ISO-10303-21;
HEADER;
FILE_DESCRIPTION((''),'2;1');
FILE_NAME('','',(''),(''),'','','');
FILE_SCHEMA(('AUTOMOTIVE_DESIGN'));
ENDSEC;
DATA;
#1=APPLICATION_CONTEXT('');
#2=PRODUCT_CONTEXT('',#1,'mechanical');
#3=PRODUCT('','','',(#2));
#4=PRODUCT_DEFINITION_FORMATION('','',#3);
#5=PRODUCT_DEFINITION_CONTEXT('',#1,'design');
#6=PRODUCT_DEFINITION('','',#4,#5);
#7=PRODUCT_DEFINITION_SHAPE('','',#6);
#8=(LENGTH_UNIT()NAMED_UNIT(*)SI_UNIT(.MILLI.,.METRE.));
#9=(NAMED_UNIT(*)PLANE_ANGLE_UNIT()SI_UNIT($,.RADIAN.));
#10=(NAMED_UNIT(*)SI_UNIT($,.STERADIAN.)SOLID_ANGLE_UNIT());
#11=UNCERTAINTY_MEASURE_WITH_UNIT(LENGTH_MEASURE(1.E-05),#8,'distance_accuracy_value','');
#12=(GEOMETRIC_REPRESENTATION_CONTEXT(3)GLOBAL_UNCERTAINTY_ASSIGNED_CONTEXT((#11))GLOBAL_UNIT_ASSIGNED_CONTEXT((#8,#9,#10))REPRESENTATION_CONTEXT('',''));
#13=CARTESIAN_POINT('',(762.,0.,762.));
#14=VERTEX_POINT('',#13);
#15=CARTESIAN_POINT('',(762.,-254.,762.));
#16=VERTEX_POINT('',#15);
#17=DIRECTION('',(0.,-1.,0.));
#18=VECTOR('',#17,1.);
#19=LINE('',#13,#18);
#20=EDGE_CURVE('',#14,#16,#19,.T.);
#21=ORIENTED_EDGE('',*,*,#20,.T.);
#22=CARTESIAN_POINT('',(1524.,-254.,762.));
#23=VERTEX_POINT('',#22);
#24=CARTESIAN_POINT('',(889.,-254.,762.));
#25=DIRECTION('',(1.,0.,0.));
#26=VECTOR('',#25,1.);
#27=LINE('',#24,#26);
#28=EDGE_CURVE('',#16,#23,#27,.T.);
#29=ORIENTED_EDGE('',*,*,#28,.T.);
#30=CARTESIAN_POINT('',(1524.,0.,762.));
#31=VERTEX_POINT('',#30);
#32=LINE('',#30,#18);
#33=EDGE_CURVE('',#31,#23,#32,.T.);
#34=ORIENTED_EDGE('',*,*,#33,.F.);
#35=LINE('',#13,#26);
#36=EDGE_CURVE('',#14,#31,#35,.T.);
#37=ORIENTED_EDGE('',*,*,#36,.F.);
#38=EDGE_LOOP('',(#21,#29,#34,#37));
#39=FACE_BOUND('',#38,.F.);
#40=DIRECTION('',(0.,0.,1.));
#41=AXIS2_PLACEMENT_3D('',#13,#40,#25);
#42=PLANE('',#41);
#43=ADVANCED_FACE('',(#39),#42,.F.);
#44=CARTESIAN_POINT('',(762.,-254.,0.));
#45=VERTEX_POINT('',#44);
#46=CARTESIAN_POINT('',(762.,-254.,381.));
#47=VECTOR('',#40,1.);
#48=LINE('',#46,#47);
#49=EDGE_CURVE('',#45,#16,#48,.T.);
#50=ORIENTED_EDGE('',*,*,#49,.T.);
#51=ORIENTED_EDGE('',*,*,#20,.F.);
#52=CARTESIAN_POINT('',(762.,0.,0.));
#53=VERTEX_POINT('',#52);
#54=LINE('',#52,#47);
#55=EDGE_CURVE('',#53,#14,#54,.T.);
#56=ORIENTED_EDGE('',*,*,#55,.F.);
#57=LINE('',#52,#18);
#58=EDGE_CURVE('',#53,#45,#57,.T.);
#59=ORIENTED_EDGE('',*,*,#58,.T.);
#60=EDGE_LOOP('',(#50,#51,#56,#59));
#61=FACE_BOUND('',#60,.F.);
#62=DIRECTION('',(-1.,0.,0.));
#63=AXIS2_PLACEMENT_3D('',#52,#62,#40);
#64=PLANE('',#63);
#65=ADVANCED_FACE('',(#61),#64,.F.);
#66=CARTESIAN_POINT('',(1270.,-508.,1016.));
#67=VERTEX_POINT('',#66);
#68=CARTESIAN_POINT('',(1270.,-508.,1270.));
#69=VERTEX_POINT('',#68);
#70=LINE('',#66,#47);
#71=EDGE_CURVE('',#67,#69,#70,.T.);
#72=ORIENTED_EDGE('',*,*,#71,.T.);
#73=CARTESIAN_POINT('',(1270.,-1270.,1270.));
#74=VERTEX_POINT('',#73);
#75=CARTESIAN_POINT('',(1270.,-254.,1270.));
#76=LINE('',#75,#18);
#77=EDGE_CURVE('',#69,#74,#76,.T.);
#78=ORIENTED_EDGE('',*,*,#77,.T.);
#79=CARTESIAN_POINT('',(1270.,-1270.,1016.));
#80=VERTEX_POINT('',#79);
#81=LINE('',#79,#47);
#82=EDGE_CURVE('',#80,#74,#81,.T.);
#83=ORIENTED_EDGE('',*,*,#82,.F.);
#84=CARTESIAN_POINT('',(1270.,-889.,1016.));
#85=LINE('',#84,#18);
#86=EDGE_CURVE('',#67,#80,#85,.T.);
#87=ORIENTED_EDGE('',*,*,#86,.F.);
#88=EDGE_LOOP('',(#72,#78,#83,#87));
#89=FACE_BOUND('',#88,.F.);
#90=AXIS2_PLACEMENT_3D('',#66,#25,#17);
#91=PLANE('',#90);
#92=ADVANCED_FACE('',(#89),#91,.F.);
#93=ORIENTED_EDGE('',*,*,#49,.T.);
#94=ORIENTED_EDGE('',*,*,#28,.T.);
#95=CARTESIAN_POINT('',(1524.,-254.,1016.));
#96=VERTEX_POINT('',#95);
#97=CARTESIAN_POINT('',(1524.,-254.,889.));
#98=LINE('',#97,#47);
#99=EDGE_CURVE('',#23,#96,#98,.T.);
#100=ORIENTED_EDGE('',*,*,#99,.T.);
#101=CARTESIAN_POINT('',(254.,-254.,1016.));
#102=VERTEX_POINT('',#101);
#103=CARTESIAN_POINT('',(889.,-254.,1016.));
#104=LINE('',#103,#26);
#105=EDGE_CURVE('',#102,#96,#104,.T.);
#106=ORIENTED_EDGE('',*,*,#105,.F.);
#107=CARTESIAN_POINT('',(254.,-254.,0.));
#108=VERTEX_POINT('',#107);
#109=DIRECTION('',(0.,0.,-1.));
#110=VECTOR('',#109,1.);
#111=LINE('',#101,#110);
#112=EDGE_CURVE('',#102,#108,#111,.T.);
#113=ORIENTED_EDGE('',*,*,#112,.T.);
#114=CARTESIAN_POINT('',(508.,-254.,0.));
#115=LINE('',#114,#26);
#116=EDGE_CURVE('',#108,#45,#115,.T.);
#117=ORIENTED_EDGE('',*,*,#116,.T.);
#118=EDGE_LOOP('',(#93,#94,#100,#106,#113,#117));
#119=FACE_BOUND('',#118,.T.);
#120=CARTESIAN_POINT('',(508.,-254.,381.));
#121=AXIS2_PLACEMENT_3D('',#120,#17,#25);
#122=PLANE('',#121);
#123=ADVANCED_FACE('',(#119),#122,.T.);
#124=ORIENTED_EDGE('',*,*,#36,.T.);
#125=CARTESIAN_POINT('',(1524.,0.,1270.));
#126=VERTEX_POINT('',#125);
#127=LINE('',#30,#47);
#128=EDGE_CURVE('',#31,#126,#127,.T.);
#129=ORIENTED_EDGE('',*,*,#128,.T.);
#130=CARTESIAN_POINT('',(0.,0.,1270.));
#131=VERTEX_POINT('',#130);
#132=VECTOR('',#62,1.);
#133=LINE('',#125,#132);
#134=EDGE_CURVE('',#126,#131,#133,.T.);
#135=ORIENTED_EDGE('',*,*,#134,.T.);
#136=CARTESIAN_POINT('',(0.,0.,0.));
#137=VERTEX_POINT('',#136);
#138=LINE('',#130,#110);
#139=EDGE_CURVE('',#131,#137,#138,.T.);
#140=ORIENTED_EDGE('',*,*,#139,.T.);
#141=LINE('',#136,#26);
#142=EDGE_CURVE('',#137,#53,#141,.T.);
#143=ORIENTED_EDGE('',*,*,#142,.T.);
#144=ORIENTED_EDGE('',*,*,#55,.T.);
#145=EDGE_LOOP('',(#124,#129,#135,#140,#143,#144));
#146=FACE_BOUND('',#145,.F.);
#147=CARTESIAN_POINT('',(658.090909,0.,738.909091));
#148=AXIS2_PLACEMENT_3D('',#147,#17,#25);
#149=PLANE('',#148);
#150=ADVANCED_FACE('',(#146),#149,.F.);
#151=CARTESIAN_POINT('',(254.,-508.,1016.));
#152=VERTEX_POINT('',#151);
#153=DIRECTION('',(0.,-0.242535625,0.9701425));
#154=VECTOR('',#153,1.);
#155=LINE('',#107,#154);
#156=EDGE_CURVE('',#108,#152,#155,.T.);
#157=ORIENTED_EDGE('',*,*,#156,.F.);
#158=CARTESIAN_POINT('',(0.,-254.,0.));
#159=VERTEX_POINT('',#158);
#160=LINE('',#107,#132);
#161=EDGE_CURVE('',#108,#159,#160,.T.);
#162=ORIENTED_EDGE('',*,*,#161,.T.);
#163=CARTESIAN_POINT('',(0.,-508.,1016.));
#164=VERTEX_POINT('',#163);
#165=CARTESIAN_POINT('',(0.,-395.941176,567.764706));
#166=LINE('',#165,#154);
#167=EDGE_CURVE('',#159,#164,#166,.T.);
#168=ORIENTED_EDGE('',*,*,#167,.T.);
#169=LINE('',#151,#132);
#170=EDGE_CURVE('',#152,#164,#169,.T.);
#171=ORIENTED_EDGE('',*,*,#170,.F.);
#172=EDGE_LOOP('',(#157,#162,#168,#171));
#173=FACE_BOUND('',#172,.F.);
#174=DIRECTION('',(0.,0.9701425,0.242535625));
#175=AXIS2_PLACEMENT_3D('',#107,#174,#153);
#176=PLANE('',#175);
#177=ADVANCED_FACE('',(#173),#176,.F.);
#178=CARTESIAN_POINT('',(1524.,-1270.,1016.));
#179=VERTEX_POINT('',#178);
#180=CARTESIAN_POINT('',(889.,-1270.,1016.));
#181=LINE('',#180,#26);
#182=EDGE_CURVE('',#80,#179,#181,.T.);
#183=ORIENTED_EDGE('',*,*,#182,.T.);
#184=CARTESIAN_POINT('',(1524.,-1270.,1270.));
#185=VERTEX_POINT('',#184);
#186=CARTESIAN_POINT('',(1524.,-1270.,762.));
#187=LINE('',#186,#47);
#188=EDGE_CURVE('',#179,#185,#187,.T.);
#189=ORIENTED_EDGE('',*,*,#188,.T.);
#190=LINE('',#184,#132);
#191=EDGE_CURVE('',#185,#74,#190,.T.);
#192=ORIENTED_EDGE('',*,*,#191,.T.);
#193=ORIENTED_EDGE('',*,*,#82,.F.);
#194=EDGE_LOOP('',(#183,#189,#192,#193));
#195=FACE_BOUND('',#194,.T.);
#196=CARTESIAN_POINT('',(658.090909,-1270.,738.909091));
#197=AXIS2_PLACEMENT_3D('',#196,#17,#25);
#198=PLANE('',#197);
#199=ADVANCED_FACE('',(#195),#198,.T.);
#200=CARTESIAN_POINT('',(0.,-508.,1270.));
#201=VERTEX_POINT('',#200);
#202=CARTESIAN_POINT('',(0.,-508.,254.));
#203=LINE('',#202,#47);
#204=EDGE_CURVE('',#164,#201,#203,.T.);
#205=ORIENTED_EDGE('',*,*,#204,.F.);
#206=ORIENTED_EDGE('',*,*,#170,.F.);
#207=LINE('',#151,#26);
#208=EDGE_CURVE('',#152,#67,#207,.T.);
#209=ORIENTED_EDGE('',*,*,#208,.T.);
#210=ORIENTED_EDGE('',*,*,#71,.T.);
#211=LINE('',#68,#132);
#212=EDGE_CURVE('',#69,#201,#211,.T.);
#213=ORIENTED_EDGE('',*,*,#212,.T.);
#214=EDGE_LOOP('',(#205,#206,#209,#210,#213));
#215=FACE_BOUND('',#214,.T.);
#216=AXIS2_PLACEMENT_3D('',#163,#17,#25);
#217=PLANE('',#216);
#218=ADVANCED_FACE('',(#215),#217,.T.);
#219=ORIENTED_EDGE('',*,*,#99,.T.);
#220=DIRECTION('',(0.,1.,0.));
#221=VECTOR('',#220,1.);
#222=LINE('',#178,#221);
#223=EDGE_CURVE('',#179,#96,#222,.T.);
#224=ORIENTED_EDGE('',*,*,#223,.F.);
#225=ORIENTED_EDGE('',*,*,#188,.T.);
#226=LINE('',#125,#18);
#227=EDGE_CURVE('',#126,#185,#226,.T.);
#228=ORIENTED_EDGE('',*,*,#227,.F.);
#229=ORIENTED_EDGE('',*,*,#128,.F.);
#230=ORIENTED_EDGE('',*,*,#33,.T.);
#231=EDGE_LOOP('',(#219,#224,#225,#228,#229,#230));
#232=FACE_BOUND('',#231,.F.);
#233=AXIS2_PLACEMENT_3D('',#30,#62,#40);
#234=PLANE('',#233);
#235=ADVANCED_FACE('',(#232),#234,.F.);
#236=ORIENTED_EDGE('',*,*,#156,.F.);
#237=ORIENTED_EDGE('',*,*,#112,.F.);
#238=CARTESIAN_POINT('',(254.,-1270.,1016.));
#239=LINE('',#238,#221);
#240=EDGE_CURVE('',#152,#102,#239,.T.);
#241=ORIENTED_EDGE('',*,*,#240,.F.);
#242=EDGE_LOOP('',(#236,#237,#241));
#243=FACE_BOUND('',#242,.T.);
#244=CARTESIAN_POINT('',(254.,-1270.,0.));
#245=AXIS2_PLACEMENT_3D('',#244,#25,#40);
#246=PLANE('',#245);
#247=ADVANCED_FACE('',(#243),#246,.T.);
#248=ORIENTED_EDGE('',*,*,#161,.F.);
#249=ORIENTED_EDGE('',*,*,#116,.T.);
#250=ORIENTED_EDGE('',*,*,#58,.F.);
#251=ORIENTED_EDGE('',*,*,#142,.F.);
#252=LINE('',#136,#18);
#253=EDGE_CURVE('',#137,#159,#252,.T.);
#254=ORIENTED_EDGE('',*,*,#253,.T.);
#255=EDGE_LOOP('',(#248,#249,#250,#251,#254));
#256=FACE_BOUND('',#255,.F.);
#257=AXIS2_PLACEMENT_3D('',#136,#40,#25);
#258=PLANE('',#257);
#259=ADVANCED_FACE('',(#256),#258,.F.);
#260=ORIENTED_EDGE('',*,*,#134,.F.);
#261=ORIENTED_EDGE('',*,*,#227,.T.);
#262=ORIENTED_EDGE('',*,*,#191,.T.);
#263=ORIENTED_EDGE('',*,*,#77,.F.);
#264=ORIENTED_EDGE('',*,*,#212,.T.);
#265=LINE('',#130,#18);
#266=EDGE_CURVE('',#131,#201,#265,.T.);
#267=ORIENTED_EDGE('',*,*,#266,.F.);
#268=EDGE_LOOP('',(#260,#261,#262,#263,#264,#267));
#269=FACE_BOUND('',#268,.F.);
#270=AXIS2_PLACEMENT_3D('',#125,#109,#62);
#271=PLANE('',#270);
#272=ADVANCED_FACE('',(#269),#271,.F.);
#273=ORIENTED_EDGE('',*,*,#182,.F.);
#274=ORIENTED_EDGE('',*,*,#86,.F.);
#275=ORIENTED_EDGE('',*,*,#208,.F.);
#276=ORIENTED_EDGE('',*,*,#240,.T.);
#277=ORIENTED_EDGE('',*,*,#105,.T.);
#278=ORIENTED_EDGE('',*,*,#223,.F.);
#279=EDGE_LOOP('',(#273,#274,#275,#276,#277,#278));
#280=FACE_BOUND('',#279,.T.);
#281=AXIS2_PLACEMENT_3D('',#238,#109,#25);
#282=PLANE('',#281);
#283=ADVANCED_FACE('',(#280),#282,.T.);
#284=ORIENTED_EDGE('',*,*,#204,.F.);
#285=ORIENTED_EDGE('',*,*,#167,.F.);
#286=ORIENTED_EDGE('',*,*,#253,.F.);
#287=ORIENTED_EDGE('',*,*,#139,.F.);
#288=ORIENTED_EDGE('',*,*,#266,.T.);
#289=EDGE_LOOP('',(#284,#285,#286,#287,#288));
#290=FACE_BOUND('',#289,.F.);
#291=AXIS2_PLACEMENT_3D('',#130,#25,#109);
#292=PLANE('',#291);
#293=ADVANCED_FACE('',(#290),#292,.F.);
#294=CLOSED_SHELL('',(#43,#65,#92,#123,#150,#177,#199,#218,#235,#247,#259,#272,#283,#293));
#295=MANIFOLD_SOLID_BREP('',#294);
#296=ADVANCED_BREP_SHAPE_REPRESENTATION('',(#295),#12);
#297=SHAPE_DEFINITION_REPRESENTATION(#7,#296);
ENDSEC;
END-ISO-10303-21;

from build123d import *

# Parameters (mm, degrees)
F1_DEPTH  = 1270
F2_W      = 508
F2_H      = 762
F3_DEPTH  = 1016
F4_W      = 1270
F4_H      = 254
F5_DEPTH  = 1016
F7_DEPTH  = 254.001
F8_W      = 762
F8_H      = 762
F9_DEPTH  = 254.001
F10_W     = 508
F10_H     = 254
F11_DEPTH = 762
F12_W     = 254
F12_H     = 762
F13_DEPTH = 1016.001
F15_DEPTH = 254.001


with BuildPart() as f1:
    # F0 (on Front) → F1 (new body)
    with BuildSketch(Plane.XZ):
        Polygon((0, 1270), (0, 0), (762, 0), (762, 762), (1524, 762), (1524, 1270), align=None)
    extrude(amount=F1_DEPTH)

    # F2 (on face) → F3 (cut)
    with BuildSketch(Plane.XZ.offset(1270)):
        with Locations((508, 381)):
            Rectangle(F2_W, F2_H)
    extrude(amount=-F3_DEPTH, mode=Mode.SUBTRACT)

    # F4 (on face) → F5 (cut)
    with BuildSketch(Plane.XZ.offset(1270)):
        with Locations((889, 889)):
            Rectangle(F4_W, F4_H)
    extrude(amount=-F5_DEPTH, mode=Mode.SUBTRACT)

    # F6 (on face) → F7 (cut, through all)
    with BuildSketch(Plane.YZ.offset(254)):
        Polygon((-254, 0), (-1270, 1016), (-1270, 0), align=None)
    extrude(amount=-F7_DEPTH, mode=Mode.SUBTRACT)

    # F8 (on face) → F9 (cut, through all)
    with BuildSketch(Plane(origin=(0, 0, 1016), x_dir=(1, 0, 0), z_dir=(0, 0, -1))):
        with Locations((889, 889)):
            Rectangle(F8_W, F8_H)
    extrude(amount=-F9_DEPTH, mode=Mode.SUBTRACT)

    # F10 (on face) → F11 (cut)
    with BuildSketch(Plane.XZ.offset(1270)):
        with Locations((254, 1143)):
            Rectangle(F10_W, F10_H)
    extrude(amount=-F11_DEPTH, mode=Mode.SUBTRACT)

    # F12 (on face) → F13 (cut, through all)
    with BuildSketch(Plane.XY.offset(1016)):
        with Locations((127, -889)):
            Rectangle(F12_W, F12_H)
    extrude(amount=-F13_DEPTH, mode=Mode.SUBTRACT)

    # F14 (on face) → F15 (cut, through all)
    with BuildSketch(Plane.YZ.offset(254)):
        Polygon((-254, 0), (-508, 1016), (-508, 254), align=None)
    extrude(amount=-F15_DEPTH, mode=Mode.SUBTRACT)


solid = f1.part
